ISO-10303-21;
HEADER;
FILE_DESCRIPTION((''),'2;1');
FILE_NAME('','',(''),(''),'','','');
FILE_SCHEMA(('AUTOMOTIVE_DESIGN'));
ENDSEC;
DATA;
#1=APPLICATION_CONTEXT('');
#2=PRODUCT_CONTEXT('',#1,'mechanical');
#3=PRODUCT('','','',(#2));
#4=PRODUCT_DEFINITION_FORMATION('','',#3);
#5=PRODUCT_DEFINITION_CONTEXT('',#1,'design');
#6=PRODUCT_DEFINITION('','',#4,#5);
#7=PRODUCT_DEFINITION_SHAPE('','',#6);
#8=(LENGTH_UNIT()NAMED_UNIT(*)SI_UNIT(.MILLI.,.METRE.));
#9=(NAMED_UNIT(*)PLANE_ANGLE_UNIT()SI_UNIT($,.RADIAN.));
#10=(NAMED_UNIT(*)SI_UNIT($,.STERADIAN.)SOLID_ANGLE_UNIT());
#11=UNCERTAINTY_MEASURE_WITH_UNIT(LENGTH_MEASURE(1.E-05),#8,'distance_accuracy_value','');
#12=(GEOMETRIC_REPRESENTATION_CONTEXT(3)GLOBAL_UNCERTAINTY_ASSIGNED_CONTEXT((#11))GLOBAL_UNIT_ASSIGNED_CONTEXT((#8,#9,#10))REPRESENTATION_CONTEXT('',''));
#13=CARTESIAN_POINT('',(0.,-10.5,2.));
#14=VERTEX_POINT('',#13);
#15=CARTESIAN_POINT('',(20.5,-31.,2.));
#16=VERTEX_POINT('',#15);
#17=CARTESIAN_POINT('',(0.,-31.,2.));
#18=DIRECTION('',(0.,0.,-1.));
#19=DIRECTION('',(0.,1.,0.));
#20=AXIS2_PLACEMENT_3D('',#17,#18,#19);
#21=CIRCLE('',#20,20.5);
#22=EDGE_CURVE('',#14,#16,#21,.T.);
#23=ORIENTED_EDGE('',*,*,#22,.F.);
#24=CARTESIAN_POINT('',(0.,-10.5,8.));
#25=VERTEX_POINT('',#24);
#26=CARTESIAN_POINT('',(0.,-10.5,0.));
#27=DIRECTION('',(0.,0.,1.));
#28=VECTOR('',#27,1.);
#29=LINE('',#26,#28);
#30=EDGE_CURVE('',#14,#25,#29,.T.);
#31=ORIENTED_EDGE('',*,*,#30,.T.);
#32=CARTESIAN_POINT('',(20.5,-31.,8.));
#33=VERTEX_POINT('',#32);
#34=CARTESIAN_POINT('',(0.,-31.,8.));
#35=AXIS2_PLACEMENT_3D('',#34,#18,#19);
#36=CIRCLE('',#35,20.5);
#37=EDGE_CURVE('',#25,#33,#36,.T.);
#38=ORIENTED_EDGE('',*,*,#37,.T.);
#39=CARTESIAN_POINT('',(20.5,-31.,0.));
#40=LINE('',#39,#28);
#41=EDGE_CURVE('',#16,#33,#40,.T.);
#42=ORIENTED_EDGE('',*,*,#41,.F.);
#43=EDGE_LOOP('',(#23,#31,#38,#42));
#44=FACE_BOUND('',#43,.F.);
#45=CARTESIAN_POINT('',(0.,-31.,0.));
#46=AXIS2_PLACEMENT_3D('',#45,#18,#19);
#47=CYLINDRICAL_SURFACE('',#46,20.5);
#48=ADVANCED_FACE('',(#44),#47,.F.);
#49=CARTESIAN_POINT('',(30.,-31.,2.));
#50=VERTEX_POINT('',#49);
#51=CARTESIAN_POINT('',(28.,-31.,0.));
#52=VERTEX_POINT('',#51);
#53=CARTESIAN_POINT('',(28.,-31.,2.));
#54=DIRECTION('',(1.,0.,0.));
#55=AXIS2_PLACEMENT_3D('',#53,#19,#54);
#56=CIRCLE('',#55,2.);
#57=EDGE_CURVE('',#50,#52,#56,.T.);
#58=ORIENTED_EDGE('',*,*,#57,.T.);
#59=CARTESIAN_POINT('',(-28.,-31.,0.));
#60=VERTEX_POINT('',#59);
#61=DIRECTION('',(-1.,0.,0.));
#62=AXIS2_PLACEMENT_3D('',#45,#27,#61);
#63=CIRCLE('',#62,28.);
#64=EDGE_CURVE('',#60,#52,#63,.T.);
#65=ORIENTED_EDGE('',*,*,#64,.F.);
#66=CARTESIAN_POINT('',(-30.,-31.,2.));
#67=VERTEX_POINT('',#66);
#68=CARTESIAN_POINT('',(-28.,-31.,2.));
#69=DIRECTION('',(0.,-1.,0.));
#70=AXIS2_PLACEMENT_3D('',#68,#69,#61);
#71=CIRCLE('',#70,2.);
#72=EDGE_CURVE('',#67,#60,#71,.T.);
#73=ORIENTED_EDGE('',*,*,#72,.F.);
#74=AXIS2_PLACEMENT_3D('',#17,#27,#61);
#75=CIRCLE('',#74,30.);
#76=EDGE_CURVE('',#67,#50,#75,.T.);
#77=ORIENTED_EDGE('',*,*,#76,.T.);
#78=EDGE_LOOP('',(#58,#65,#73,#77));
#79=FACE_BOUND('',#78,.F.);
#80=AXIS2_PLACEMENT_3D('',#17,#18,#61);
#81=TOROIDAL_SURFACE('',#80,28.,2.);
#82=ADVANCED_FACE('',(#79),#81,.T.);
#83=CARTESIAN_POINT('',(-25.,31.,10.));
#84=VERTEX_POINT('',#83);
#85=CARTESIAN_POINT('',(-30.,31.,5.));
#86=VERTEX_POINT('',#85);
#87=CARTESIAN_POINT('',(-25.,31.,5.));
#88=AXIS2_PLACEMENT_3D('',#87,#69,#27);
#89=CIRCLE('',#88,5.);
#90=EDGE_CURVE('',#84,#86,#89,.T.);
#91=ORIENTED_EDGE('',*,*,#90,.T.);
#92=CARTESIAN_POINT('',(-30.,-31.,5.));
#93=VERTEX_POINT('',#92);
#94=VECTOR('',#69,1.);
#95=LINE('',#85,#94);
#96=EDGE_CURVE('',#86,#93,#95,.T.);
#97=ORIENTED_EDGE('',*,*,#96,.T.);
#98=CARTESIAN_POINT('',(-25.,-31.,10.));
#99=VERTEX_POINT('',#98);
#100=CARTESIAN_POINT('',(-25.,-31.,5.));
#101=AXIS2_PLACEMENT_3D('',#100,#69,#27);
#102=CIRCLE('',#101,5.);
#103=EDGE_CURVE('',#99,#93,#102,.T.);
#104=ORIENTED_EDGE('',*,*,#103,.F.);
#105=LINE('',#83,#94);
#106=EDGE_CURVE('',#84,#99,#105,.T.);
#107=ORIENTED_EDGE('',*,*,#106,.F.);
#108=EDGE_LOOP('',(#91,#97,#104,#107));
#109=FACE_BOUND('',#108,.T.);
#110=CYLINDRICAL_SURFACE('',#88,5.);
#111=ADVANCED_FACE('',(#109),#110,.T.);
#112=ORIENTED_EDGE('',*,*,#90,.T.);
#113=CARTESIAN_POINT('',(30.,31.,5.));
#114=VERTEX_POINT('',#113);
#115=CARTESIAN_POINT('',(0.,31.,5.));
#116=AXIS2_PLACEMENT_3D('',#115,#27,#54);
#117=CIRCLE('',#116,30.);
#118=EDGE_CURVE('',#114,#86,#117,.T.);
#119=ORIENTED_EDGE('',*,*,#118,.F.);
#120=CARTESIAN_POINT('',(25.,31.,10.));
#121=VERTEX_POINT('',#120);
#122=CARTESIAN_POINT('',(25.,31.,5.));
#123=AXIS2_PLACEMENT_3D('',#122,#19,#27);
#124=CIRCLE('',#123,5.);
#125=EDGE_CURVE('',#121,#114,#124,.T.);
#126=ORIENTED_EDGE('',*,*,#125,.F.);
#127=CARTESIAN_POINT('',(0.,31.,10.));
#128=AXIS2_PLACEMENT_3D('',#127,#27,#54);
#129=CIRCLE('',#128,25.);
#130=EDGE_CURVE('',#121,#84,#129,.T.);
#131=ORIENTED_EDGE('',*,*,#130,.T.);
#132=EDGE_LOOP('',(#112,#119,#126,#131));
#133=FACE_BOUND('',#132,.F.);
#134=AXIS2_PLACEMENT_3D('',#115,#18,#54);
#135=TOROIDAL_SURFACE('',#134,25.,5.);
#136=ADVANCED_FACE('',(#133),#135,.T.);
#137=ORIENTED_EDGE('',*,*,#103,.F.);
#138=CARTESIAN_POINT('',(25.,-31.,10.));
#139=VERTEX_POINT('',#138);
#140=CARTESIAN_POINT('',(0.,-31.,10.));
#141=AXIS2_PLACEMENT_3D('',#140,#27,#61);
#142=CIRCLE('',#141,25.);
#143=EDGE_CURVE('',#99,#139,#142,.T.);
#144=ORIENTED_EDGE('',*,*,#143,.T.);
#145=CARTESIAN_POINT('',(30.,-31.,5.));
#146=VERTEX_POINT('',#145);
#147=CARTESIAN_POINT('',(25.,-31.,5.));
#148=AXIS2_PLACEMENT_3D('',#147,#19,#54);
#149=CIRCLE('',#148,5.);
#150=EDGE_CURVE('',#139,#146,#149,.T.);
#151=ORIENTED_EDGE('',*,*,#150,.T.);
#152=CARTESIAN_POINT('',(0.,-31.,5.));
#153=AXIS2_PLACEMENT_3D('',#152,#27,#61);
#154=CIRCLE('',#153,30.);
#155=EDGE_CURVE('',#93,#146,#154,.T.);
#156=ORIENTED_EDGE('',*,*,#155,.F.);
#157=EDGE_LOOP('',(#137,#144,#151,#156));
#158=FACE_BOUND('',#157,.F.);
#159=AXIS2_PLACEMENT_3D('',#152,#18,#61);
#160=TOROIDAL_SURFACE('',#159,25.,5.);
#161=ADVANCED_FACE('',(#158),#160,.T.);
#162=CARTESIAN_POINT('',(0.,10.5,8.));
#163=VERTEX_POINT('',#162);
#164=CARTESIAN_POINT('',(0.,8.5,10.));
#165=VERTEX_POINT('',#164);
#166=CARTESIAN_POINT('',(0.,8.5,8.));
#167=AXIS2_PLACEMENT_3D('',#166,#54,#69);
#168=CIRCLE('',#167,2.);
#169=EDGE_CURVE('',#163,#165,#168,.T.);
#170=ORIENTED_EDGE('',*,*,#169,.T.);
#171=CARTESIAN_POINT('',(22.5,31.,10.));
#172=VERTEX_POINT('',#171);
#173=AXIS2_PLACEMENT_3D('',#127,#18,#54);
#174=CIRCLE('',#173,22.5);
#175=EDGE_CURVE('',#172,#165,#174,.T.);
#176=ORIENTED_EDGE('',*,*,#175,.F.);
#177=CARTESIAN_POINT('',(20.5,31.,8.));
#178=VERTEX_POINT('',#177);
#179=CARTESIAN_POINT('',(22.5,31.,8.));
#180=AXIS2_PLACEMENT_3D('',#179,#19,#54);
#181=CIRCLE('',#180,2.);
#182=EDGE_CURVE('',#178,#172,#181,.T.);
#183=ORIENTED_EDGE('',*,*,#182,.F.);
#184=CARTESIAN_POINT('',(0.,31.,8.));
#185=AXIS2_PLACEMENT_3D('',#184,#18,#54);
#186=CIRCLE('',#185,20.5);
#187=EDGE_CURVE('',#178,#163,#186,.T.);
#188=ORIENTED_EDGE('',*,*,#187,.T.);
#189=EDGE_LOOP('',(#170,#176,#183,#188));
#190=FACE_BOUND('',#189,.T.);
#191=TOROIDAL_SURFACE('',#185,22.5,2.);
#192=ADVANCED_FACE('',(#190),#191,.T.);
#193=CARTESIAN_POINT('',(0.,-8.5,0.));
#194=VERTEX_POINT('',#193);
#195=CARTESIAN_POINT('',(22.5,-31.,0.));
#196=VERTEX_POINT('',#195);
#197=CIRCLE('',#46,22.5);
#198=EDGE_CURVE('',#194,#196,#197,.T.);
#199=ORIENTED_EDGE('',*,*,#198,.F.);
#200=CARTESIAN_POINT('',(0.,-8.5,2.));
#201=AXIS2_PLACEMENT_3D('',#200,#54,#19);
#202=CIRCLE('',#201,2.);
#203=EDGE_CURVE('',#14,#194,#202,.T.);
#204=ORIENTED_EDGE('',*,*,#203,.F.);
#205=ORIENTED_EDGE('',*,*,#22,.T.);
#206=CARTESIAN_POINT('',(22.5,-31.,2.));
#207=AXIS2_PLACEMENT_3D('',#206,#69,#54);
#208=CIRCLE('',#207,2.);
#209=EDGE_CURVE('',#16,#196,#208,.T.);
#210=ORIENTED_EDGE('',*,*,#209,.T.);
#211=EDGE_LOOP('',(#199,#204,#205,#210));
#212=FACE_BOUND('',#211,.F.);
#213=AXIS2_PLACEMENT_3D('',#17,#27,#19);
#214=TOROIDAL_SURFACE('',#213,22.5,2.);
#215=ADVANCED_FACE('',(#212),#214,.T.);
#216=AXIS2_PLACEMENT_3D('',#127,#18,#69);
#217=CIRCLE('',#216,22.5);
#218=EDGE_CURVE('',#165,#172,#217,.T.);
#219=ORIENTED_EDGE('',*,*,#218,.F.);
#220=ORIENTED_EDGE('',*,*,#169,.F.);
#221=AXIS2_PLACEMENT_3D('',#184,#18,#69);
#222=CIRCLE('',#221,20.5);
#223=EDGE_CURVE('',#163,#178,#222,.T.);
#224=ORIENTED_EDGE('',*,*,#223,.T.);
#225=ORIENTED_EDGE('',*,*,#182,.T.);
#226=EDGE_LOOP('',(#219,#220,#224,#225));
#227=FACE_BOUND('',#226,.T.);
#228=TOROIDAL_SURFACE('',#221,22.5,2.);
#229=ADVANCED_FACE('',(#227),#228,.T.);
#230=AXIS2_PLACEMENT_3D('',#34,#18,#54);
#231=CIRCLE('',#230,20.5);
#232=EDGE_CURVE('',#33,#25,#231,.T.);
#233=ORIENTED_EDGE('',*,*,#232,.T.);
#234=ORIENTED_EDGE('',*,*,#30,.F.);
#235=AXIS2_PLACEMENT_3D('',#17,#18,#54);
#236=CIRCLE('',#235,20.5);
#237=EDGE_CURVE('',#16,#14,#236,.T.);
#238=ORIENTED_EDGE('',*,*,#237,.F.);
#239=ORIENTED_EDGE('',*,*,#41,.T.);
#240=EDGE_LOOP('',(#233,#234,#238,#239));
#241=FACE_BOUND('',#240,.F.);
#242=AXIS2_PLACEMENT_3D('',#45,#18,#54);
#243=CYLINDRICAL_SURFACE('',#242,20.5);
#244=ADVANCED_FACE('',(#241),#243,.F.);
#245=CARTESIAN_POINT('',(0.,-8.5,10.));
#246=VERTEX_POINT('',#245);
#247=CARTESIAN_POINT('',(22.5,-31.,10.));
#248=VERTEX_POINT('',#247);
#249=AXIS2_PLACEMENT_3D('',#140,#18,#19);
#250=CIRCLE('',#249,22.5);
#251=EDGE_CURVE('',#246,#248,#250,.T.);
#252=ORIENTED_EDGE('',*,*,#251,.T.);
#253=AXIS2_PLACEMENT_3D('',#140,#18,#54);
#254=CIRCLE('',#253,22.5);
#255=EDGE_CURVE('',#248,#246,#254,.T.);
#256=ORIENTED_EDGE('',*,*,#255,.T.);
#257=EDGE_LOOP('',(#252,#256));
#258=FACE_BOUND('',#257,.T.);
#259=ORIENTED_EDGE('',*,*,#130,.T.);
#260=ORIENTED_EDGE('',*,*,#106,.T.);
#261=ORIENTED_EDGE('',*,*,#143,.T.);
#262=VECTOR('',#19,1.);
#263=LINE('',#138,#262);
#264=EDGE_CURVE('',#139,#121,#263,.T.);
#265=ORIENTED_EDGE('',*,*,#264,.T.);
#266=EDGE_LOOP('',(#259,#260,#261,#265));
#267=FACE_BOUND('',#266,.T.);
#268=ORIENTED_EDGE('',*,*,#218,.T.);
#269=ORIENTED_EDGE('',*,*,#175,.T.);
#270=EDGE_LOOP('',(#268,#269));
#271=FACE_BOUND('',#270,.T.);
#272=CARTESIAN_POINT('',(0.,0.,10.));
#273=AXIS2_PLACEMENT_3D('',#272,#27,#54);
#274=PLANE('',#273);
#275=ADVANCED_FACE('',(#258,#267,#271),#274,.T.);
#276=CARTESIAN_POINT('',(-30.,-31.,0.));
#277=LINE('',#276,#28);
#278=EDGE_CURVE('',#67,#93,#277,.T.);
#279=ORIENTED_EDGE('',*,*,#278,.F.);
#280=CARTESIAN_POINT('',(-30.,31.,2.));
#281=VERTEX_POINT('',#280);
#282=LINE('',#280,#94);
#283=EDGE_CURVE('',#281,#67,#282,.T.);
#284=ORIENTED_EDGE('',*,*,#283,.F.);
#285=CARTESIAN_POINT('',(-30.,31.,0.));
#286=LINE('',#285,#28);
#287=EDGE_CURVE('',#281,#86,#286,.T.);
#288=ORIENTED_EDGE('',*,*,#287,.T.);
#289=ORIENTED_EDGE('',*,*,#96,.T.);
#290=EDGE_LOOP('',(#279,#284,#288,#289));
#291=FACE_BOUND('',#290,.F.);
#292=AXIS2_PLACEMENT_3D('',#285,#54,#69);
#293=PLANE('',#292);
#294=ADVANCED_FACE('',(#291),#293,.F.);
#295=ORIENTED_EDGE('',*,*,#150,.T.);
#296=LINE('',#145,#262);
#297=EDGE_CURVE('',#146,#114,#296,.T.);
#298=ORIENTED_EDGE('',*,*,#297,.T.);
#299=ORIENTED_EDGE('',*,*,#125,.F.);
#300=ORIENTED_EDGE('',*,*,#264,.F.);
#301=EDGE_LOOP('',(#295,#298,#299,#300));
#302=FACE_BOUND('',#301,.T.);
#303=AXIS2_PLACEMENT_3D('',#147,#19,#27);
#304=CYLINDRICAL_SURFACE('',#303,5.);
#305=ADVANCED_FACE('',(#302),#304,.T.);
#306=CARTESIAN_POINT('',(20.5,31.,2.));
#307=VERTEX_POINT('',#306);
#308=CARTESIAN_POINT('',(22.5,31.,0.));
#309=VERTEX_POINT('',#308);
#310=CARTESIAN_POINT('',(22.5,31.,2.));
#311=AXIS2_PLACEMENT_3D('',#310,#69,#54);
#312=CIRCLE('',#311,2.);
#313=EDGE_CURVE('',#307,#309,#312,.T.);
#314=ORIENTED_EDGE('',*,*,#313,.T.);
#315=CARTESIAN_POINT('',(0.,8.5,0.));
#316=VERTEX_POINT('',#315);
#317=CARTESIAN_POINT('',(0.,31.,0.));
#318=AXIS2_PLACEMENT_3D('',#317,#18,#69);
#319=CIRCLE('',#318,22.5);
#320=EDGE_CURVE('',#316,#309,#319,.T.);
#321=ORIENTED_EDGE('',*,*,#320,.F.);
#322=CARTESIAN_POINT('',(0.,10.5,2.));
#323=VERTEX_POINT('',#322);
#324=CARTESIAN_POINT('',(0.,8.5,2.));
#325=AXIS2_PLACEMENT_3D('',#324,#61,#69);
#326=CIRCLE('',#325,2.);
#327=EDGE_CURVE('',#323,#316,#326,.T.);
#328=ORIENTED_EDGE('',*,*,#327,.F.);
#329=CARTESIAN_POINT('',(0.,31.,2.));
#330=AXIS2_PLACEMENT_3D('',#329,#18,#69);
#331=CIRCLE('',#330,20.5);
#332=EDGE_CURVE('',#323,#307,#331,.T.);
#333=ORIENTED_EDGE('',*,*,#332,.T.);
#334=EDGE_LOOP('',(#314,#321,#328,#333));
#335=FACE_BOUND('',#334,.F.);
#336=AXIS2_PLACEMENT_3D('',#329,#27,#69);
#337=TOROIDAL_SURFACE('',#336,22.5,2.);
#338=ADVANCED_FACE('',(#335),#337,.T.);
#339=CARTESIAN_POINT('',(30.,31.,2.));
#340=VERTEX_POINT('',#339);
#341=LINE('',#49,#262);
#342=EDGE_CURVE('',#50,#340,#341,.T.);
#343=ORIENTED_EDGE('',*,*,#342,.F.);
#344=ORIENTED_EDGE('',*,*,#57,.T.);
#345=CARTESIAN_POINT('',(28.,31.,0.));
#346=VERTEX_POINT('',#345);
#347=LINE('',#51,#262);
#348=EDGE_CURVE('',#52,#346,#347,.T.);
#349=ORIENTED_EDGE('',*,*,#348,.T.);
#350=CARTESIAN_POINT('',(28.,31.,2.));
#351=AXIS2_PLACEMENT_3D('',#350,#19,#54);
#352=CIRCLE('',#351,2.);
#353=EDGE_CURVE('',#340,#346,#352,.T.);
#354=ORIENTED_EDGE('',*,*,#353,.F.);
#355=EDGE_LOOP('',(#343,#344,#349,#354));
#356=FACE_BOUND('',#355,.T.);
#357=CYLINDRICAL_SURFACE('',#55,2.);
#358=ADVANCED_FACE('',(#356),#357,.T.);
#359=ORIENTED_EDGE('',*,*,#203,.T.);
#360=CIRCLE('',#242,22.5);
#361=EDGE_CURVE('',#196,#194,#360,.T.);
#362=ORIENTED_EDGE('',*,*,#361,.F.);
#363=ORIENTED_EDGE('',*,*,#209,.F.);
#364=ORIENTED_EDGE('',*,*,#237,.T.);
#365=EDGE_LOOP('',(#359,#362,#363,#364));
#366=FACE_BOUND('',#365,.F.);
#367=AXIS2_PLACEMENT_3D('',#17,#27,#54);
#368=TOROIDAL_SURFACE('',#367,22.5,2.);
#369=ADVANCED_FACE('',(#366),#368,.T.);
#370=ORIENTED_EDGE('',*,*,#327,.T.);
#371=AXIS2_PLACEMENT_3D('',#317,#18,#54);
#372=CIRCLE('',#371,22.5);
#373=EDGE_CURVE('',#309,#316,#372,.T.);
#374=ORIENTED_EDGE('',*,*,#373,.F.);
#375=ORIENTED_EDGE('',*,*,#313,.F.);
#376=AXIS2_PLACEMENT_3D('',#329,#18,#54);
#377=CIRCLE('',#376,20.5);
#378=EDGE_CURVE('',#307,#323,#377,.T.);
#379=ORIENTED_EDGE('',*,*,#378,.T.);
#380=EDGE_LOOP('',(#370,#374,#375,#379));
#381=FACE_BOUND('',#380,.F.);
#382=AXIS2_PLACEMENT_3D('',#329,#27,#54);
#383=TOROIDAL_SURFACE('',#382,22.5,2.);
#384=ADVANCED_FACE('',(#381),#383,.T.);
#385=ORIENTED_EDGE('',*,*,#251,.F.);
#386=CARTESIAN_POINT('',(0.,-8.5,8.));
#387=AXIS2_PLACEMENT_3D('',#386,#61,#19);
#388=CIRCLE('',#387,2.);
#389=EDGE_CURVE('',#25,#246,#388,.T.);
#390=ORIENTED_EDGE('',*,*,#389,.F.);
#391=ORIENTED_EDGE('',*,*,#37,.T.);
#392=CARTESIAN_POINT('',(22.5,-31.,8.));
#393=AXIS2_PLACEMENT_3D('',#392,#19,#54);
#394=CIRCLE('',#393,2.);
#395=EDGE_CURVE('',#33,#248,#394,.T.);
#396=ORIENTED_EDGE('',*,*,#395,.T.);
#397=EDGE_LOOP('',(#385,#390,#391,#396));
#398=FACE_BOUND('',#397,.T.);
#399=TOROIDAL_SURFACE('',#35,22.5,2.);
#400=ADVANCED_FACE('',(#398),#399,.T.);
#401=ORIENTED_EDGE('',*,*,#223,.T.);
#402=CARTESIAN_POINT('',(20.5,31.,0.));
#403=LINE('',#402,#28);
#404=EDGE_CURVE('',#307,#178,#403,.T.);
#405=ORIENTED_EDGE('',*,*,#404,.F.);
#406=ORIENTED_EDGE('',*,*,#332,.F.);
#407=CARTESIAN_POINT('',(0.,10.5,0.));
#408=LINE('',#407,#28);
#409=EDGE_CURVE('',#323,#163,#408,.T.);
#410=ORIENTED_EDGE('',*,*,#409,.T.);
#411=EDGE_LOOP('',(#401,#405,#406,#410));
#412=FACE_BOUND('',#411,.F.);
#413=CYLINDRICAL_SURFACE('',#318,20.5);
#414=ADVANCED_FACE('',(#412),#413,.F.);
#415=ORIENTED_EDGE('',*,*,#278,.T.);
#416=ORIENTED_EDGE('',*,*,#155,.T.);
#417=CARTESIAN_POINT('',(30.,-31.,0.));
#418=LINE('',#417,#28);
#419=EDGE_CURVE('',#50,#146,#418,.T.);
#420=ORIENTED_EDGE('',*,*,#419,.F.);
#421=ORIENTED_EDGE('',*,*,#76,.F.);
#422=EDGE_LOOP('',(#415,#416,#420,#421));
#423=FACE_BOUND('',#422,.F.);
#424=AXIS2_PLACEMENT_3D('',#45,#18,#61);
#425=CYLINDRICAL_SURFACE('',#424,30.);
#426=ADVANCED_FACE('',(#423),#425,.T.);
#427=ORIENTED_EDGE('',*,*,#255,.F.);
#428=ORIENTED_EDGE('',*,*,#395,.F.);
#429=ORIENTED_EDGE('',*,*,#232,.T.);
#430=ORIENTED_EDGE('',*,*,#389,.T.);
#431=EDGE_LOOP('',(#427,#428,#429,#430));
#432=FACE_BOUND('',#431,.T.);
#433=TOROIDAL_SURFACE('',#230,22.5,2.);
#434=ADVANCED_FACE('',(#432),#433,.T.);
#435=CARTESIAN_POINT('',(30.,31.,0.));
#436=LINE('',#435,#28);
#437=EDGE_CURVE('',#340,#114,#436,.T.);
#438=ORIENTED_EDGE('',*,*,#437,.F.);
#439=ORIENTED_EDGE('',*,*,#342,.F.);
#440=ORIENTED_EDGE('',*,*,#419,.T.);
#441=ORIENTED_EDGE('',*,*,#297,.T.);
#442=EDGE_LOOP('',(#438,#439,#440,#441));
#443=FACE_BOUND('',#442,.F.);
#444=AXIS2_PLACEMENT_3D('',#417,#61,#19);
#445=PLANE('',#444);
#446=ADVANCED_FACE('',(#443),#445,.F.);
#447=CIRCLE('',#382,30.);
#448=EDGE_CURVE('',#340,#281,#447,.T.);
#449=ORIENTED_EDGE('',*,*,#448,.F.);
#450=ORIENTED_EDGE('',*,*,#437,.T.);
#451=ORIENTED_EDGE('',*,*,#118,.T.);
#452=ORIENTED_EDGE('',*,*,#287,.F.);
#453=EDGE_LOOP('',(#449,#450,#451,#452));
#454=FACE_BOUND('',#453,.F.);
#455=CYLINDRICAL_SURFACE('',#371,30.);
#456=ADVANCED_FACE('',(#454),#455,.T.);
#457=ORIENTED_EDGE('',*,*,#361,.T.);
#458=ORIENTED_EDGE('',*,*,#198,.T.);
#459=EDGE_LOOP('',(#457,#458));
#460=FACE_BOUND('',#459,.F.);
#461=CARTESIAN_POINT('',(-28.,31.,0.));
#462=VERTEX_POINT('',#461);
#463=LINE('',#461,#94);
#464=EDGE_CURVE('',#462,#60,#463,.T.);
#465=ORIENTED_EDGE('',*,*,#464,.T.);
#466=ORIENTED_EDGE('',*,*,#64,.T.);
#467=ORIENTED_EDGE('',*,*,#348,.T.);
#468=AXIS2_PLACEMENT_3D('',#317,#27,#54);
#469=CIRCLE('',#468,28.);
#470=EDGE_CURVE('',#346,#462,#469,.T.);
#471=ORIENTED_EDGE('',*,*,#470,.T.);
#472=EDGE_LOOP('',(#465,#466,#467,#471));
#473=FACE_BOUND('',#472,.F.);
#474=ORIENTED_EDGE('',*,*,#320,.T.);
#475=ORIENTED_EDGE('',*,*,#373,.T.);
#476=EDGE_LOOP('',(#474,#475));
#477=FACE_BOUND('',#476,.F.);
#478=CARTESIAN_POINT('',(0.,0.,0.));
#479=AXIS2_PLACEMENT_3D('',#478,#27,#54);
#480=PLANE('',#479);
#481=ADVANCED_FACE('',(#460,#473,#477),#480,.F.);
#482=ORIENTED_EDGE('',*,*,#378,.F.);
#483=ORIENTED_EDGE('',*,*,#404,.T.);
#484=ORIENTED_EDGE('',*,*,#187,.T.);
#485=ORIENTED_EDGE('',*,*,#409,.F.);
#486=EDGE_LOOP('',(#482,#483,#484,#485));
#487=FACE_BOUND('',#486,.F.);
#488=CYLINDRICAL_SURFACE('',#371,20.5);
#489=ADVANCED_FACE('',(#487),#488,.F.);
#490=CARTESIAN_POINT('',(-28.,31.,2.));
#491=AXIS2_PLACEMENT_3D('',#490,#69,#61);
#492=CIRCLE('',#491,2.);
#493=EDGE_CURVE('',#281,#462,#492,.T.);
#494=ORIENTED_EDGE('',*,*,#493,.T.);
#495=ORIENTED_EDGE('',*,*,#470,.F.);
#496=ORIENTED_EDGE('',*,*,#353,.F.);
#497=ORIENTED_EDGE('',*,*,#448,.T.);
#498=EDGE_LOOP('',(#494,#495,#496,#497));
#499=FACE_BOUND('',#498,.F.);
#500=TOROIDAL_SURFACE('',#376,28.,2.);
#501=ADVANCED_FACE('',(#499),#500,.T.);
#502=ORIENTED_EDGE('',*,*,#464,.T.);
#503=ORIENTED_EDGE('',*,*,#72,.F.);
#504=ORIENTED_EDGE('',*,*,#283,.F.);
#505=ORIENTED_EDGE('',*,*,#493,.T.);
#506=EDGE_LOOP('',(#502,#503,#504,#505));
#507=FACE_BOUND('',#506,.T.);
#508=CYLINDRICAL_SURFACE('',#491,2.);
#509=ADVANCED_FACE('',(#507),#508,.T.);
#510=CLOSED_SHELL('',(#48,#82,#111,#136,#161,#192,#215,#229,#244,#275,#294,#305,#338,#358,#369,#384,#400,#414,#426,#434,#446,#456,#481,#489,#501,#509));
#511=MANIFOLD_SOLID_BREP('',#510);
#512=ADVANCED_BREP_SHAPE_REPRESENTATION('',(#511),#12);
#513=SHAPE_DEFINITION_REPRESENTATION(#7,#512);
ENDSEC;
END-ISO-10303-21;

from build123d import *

# Parameters (mm, degrees)
F1_DEPTH = 10
F2_R     = 2
F3_R     = 5


with BuildPart() as f1:
    # F0 (on Top) → F1 (new body)
    with BuildSketch(Plane.XY):
        with BuildLine():
            ThreePointArc((30, 31), (0, 61), (-30, 31))
            Line((-30, 31), (-30, -31))
            ThreePointArc((-30, -31), (0, -61), (30, -31))
            Line((30, -31), (30, 31))
        make_face()
        with BuildLine():
            ThreePointArc((20.5, -31), (-14.4956890143, -45.4956890143), (0, -10.5))
            ThreePointArc((0, -10.5), (14.4956890143, -16.5043109857), (20.5, -31))
        make_face(mode=Mode.SUBTRACT)
        with BuildLine():
            ThreePointArc((20.5, 31), (14.4956890143, 16.5043109857), (0, 10.5))
            ThreePointArc((0, 10.5), (-14.4956890143, 45.4956890143), (20.5, 31))
        make_face(mode=Mode.SUBTRACT)
    extrude(amount=F1_DEPTH)

    # F2
    f2_edges = [f1.edges().sort_by_distance(p)[0] for p in [
        (-20.5, 31, 10),
        (-20.5, 31, 0),
        (0, -51.5, 10),
        (0, -51.5, 0),
        (30, 0, 0),
    ]]
    fillet(f2_edges, radius=F2_R)

    # F3
    f3_edges = [f1.edges().sort_by_distance(p)[0] for p in [
        (-30, 0, 10),
    ]]
    fillet(f3_edges, radius=F3_R)


solid = f1.part
